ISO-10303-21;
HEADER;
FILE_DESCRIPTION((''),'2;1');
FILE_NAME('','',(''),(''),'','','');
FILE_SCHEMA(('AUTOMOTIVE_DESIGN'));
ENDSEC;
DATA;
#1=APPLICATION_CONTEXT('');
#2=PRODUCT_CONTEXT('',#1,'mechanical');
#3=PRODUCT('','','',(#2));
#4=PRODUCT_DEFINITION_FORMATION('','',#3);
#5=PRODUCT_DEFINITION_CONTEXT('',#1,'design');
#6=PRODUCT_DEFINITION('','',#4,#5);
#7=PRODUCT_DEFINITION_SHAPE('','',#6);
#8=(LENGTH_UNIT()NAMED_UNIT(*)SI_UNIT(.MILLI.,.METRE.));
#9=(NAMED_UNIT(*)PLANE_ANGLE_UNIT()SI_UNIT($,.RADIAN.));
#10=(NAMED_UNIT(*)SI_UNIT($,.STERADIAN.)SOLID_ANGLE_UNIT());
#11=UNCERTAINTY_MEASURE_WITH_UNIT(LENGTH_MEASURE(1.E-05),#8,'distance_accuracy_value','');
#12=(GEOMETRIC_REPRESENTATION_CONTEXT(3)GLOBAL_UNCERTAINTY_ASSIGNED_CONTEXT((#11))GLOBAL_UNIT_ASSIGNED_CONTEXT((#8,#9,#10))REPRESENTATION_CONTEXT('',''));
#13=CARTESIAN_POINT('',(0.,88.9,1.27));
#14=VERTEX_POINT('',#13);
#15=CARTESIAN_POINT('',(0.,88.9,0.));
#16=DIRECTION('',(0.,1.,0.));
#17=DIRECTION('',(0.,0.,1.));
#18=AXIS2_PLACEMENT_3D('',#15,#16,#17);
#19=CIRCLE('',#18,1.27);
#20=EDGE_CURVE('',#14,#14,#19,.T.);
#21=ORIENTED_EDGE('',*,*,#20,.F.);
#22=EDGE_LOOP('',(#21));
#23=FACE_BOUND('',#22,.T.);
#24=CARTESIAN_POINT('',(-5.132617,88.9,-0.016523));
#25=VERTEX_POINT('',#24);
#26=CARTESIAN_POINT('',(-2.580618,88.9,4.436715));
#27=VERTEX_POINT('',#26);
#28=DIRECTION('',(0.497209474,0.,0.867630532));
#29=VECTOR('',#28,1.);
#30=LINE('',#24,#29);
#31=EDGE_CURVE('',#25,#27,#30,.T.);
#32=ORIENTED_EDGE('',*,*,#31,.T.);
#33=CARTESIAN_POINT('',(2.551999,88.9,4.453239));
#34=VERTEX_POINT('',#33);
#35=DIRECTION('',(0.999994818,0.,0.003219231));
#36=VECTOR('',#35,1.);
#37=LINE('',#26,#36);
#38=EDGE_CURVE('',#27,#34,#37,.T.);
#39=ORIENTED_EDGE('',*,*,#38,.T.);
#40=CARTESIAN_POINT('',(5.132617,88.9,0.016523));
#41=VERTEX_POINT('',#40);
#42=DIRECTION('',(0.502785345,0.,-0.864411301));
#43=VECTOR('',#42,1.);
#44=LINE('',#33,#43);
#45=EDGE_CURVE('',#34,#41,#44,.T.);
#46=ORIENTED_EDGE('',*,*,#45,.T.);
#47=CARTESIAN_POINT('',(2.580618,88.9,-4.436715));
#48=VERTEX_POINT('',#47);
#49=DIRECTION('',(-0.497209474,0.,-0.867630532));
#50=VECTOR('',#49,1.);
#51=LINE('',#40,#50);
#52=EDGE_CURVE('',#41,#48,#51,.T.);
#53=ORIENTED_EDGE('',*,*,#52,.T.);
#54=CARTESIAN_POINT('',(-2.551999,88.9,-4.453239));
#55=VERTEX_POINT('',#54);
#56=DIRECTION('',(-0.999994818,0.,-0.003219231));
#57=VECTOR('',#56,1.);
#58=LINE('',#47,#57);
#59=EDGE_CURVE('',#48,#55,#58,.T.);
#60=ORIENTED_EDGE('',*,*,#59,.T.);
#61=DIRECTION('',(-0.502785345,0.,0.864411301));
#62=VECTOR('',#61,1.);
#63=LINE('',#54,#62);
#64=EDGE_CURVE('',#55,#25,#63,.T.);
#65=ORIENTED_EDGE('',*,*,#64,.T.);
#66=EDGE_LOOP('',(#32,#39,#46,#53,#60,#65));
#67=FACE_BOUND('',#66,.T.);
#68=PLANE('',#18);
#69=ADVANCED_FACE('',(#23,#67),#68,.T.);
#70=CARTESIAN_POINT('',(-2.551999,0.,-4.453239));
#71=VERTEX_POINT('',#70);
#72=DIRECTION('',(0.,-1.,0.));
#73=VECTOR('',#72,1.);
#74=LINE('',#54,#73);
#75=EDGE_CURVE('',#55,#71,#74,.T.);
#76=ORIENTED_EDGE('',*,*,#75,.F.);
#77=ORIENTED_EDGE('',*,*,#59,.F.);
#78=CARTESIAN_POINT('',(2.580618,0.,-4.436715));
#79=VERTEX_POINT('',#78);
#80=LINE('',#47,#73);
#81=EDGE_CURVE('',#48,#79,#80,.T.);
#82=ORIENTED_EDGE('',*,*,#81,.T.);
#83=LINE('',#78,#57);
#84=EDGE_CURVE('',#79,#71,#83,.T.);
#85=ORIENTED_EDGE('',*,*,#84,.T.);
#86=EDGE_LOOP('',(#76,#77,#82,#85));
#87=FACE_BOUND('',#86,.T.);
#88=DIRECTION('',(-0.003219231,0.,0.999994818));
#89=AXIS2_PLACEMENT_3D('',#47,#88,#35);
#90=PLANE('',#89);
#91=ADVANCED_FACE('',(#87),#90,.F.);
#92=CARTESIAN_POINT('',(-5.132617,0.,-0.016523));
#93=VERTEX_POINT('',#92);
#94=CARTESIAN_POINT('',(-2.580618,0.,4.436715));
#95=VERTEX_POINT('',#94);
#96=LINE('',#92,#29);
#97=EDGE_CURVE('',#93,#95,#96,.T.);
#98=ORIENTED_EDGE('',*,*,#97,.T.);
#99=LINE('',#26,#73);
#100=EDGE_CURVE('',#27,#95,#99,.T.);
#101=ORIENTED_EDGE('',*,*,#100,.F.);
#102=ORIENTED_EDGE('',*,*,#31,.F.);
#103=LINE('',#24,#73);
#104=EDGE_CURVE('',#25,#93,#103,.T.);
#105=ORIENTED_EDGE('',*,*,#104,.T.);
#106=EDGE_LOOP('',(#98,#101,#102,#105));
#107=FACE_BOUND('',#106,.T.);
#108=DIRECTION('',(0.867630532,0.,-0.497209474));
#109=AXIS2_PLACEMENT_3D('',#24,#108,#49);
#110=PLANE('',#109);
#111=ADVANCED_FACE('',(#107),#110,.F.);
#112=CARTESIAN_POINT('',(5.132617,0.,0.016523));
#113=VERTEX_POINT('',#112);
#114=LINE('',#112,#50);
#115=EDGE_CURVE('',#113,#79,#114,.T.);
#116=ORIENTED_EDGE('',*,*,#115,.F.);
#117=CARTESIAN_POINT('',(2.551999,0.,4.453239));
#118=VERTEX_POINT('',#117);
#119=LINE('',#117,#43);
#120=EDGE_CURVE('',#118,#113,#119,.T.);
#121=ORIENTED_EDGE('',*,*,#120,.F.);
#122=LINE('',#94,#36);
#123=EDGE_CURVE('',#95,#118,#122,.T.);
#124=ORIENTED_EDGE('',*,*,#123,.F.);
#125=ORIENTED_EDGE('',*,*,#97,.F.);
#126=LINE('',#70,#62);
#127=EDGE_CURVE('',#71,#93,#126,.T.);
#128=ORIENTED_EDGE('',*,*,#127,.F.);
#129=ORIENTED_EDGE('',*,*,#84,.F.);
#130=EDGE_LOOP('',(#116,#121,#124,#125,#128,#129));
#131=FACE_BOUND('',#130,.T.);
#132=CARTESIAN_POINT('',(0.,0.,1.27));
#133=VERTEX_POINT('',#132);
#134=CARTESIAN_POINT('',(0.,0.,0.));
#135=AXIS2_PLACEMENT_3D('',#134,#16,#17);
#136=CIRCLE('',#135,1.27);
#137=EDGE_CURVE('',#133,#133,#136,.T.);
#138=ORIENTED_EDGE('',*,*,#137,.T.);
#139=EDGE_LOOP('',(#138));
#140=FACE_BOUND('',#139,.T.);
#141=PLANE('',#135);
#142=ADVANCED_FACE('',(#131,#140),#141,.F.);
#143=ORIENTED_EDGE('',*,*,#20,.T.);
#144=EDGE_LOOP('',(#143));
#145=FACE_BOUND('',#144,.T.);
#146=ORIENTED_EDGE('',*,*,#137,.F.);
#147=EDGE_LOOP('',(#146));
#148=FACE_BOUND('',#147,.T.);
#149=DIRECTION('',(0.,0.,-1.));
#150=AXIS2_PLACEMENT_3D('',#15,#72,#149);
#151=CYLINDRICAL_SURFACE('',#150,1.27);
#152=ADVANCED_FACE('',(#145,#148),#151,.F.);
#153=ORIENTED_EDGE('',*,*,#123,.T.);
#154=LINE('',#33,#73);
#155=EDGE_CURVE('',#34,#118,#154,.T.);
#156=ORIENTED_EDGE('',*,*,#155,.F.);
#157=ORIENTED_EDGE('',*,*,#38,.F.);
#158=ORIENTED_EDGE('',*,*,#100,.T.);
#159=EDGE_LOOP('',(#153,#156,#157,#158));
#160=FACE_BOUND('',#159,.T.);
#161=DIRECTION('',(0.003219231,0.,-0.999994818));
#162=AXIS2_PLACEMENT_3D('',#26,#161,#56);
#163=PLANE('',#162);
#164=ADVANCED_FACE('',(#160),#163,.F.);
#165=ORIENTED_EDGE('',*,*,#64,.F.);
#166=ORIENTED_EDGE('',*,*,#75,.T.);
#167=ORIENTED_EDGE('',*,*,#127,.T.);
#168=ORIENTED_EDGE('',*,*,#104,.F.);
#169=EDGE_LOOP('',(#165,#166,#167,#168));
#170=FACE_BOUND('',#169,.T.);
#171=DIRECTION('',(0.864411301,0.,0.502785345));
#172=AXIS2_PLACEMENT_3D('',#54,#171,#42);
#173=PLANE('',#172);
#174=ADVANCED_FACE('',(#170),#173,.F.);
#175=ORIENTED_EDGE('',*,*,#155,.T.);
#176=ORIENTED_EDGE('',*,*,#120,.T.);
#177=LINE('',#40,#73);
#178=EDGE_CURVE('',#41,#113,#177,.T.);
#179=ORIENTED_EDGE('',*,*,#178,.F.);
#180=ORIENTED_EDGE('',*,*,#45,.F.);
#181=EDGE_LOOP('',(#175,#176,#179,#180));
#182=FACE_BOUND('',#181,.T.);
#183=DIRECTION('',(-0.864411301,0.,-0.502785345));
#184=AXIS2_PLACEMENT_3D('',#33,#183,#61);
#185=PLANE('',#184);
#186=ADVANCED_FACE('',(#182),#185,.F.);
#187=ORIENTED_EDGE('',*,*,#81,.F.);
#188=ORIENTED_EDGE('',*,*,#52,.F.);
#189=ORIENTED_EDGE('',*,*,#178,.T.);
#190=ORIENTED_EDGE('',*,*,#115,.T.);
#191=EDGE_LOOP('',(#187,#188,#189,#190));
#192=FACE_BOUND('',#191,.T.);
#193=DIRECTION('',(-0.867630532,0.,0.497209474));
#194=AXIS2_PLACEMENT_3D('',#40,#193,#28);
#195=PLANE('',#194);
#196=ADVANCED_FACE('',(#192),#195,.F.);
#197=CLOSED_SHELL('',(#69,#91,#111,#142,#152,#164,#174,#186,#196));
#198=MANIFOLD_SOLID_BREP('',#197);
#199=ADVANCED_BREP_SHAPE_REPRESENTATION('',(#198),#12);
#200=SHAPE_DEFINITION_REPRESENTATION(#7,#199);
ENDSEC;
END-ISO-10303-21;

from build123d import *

# Parameters (mm, degrees)
SKETCH1_R           = 1.27
BOSS_EXTRUDE1_DEPTH = 88.9


with BuildPart() as part:
    # Sketch1 → Boss-Extrude1 (new body)
    with BuildSketch(Plane(origin=(0, 0, 0), x_dir=(1, 0, 0), z_dir=(0, 1, 0))):
        Polygon((2.551999169, -4.453238549), (5.132617297, -0.016523164), (2.580618128, 4.436715385), (-2.551999169, 4.453238549), (-5.132617297, 0.016523164), (-2.580618128, -4.436715385), align=None)
        Circle(SKETCH1_R, mode=Mode.SUBTRACT)
    extrude(amount=BOSS_EXTRUDE1_DEPTH)


solid = part.part
